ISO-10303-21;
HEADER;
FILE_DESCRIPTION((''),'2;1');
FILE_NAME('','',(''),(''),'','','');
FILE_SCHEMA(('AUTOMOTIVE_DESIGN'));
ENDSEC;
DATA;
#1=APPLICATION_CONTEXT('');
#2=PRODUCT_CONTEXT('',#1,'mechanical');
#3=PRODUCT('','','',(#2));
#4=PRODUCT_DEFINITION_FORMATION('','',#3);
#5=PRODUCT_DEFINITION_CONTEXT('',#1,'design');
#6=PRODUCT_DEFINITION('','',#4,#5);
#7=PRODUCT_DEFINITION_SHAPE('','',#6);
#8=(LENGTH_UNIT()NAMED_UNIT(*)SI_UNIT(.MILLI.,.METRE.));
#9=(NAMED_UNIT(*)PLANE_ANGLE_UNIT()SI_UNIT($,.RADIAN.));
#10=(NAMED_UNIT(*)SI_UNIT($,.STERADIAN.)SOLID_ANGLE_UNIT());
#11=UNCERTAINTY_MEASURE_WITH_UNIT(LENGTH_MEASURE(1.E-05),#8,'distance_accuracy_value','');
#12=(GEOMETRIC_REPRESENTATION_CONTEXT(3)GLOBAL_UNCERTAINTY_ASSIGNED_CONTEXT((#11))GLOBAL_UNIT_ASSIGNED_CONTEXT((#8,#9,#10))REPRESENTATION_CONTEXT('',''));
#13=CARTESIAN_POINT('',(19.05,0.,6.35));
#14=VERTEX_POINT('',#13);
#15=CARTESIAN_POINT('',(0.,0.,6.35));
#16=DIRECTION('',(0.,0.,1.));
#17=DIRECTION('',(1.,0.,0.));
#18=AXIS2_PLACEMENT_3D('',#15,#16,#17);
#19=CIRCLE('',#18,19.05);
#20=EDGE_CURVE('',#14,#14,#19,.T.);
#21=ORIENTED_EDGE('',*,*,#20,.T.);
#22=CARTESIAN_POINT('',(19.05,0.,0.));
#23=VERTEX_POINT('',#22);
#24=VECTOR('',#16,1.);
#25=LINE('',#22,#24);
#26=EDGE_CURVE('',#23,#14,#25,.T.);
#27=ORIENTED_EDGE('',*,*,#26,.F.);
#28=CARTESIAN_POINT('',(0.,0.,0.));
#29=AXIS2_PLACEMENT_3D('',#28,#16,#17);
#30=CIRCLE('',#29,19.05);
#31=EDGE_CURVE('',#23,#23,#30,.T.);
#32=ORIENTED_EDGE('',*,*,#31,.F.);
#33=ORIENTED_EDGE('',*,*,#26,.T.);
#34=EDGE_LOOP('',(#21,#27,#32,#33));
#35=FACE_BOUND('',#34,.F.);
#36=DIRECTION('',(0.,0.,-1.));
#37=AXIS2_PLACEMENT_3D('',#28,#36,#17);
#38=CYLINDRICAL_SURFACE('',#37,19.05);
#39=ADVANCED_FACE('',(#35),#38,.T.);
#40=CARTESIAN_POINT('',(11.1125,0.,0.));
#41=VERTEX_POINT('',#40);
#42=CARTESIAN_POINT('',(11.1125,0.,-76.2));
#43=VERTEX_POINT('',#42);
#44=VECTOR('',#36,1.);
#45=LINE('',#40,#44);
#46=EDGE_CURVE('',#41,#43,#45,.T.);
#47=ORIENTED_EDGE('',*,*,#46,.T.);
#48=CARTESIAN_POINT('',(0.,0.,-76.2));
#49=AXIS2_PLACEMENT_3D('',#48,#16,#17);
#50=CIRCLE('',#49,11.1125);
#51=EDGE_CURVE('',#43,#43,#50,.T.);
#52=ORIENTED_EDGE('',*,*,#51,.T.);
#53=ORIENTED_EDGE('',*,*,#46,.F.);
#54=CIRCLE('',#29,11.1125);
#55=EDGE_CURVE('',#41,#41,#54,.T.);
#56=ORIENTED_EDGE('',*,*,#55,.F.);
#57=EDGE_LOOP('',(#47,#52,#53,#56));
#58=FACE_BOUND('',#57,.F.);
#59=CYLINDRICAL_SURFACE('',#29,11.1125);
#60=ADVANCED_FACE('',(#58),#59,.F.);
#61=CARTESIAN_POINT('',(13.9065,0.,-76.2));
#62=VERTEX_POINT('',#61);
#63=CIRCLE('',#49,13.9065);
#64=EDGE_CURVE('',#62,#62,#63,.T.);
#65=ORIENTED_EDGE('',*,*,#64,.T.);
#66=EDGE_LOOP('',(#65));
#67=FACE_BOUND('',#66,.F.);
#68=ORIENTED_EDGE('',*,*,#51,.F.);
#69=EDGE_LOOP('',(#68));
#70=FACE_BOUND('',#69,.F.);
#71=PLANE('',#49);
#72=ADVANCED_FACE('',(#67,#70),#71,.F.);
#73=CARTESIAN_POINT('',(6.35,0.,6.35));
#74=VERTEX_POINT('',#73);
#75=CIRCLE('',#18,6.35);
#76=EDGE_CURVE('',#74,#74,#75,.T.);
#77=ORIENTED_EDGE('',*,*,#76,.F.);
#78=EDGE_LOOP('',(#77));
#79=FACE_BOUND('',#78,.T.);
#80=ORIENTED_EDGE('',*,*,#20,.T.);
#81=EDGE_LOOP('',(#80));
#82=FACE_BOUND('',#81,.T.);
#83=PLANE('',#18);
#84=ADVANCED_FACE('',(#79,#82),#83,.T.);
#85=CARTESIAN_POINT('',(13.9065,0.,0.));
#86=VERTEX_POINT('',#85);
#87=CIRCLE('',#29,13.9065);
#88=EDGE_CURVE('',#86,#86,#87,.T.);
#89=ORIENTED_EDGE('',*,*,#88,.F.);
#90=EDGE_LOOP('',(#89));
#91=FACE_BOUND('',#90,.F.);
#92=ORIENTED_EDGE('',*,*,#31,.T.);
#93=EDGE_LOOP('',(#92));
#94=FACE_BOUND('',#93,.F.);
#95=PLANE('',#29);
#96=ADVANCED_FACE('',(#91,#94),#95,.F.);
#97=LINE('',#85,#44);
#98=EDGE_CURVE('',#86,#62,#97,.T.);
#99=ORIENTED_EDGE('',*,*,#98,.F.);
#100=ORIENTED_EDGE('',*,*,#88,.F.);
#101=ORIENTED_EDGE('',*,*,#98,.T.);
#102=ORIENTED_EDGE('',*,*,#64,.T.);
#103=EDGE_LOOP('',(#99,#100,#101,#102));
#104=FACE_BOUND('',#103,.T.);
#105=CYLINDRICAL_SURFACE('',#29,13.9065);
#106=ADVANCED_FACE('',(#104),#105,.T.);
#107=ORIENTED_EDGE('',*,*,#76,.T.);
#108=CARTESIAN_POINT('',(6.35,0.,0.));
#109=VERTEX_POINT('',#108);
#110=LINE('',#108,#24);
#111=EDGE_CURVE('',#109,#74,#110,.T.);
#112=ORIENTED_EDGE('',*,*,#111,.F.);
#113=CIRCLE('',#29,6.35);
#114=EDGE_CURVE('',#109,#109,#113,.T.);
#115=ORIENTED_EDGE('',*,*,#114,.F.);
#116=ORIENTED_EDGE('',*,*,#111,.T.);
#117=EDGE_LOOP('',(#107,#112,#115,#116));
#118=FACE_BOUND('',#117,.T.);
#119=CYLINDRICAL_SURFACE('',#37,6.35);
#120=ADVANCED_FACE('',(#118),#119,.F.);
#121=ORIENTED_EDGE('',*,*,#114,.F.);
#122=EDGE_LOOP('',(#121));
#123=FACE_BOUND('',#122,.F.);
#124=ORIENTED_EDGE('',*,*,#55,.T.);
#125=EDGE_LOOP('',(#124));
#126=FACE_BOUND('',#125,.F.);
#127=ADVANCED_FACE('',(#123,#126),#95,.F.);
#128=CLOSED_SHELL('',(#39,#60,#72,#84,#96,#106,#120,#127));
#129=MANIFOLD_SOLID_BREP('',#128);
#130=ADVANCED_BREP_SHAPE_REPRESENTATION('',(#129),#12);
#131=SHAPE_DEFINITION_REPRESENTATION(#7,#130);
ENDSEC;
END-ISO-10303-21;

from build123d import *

# Parameters (mm, degrees)
F0_R     = 13.9065
F0_R_2   = 11.1125
F1_DEPTH = 76.2
F2_R     = 19.05
F2_R_2   = 6.35
F3_DEPTH = 6.35


with BuildPart() as f1:
    # F0 (on Top) → F1 (new body)
    with BuildSketch(Plane.XY):
        Circle(F0_R)
        Circle(F0_R_2, mode=Mode.SUBTRACT)
    extrude(amount=-F1_DEPTH)

    # F2 (on Top) → F3 (join)
    with BuildSketch(Plane.XY):
        Circle(F2_R)
        Circle(F2_R_2, mode=Mode.SUBTRACT)
    extrude(amount=F3_DEPTH)


solid = f1.part
